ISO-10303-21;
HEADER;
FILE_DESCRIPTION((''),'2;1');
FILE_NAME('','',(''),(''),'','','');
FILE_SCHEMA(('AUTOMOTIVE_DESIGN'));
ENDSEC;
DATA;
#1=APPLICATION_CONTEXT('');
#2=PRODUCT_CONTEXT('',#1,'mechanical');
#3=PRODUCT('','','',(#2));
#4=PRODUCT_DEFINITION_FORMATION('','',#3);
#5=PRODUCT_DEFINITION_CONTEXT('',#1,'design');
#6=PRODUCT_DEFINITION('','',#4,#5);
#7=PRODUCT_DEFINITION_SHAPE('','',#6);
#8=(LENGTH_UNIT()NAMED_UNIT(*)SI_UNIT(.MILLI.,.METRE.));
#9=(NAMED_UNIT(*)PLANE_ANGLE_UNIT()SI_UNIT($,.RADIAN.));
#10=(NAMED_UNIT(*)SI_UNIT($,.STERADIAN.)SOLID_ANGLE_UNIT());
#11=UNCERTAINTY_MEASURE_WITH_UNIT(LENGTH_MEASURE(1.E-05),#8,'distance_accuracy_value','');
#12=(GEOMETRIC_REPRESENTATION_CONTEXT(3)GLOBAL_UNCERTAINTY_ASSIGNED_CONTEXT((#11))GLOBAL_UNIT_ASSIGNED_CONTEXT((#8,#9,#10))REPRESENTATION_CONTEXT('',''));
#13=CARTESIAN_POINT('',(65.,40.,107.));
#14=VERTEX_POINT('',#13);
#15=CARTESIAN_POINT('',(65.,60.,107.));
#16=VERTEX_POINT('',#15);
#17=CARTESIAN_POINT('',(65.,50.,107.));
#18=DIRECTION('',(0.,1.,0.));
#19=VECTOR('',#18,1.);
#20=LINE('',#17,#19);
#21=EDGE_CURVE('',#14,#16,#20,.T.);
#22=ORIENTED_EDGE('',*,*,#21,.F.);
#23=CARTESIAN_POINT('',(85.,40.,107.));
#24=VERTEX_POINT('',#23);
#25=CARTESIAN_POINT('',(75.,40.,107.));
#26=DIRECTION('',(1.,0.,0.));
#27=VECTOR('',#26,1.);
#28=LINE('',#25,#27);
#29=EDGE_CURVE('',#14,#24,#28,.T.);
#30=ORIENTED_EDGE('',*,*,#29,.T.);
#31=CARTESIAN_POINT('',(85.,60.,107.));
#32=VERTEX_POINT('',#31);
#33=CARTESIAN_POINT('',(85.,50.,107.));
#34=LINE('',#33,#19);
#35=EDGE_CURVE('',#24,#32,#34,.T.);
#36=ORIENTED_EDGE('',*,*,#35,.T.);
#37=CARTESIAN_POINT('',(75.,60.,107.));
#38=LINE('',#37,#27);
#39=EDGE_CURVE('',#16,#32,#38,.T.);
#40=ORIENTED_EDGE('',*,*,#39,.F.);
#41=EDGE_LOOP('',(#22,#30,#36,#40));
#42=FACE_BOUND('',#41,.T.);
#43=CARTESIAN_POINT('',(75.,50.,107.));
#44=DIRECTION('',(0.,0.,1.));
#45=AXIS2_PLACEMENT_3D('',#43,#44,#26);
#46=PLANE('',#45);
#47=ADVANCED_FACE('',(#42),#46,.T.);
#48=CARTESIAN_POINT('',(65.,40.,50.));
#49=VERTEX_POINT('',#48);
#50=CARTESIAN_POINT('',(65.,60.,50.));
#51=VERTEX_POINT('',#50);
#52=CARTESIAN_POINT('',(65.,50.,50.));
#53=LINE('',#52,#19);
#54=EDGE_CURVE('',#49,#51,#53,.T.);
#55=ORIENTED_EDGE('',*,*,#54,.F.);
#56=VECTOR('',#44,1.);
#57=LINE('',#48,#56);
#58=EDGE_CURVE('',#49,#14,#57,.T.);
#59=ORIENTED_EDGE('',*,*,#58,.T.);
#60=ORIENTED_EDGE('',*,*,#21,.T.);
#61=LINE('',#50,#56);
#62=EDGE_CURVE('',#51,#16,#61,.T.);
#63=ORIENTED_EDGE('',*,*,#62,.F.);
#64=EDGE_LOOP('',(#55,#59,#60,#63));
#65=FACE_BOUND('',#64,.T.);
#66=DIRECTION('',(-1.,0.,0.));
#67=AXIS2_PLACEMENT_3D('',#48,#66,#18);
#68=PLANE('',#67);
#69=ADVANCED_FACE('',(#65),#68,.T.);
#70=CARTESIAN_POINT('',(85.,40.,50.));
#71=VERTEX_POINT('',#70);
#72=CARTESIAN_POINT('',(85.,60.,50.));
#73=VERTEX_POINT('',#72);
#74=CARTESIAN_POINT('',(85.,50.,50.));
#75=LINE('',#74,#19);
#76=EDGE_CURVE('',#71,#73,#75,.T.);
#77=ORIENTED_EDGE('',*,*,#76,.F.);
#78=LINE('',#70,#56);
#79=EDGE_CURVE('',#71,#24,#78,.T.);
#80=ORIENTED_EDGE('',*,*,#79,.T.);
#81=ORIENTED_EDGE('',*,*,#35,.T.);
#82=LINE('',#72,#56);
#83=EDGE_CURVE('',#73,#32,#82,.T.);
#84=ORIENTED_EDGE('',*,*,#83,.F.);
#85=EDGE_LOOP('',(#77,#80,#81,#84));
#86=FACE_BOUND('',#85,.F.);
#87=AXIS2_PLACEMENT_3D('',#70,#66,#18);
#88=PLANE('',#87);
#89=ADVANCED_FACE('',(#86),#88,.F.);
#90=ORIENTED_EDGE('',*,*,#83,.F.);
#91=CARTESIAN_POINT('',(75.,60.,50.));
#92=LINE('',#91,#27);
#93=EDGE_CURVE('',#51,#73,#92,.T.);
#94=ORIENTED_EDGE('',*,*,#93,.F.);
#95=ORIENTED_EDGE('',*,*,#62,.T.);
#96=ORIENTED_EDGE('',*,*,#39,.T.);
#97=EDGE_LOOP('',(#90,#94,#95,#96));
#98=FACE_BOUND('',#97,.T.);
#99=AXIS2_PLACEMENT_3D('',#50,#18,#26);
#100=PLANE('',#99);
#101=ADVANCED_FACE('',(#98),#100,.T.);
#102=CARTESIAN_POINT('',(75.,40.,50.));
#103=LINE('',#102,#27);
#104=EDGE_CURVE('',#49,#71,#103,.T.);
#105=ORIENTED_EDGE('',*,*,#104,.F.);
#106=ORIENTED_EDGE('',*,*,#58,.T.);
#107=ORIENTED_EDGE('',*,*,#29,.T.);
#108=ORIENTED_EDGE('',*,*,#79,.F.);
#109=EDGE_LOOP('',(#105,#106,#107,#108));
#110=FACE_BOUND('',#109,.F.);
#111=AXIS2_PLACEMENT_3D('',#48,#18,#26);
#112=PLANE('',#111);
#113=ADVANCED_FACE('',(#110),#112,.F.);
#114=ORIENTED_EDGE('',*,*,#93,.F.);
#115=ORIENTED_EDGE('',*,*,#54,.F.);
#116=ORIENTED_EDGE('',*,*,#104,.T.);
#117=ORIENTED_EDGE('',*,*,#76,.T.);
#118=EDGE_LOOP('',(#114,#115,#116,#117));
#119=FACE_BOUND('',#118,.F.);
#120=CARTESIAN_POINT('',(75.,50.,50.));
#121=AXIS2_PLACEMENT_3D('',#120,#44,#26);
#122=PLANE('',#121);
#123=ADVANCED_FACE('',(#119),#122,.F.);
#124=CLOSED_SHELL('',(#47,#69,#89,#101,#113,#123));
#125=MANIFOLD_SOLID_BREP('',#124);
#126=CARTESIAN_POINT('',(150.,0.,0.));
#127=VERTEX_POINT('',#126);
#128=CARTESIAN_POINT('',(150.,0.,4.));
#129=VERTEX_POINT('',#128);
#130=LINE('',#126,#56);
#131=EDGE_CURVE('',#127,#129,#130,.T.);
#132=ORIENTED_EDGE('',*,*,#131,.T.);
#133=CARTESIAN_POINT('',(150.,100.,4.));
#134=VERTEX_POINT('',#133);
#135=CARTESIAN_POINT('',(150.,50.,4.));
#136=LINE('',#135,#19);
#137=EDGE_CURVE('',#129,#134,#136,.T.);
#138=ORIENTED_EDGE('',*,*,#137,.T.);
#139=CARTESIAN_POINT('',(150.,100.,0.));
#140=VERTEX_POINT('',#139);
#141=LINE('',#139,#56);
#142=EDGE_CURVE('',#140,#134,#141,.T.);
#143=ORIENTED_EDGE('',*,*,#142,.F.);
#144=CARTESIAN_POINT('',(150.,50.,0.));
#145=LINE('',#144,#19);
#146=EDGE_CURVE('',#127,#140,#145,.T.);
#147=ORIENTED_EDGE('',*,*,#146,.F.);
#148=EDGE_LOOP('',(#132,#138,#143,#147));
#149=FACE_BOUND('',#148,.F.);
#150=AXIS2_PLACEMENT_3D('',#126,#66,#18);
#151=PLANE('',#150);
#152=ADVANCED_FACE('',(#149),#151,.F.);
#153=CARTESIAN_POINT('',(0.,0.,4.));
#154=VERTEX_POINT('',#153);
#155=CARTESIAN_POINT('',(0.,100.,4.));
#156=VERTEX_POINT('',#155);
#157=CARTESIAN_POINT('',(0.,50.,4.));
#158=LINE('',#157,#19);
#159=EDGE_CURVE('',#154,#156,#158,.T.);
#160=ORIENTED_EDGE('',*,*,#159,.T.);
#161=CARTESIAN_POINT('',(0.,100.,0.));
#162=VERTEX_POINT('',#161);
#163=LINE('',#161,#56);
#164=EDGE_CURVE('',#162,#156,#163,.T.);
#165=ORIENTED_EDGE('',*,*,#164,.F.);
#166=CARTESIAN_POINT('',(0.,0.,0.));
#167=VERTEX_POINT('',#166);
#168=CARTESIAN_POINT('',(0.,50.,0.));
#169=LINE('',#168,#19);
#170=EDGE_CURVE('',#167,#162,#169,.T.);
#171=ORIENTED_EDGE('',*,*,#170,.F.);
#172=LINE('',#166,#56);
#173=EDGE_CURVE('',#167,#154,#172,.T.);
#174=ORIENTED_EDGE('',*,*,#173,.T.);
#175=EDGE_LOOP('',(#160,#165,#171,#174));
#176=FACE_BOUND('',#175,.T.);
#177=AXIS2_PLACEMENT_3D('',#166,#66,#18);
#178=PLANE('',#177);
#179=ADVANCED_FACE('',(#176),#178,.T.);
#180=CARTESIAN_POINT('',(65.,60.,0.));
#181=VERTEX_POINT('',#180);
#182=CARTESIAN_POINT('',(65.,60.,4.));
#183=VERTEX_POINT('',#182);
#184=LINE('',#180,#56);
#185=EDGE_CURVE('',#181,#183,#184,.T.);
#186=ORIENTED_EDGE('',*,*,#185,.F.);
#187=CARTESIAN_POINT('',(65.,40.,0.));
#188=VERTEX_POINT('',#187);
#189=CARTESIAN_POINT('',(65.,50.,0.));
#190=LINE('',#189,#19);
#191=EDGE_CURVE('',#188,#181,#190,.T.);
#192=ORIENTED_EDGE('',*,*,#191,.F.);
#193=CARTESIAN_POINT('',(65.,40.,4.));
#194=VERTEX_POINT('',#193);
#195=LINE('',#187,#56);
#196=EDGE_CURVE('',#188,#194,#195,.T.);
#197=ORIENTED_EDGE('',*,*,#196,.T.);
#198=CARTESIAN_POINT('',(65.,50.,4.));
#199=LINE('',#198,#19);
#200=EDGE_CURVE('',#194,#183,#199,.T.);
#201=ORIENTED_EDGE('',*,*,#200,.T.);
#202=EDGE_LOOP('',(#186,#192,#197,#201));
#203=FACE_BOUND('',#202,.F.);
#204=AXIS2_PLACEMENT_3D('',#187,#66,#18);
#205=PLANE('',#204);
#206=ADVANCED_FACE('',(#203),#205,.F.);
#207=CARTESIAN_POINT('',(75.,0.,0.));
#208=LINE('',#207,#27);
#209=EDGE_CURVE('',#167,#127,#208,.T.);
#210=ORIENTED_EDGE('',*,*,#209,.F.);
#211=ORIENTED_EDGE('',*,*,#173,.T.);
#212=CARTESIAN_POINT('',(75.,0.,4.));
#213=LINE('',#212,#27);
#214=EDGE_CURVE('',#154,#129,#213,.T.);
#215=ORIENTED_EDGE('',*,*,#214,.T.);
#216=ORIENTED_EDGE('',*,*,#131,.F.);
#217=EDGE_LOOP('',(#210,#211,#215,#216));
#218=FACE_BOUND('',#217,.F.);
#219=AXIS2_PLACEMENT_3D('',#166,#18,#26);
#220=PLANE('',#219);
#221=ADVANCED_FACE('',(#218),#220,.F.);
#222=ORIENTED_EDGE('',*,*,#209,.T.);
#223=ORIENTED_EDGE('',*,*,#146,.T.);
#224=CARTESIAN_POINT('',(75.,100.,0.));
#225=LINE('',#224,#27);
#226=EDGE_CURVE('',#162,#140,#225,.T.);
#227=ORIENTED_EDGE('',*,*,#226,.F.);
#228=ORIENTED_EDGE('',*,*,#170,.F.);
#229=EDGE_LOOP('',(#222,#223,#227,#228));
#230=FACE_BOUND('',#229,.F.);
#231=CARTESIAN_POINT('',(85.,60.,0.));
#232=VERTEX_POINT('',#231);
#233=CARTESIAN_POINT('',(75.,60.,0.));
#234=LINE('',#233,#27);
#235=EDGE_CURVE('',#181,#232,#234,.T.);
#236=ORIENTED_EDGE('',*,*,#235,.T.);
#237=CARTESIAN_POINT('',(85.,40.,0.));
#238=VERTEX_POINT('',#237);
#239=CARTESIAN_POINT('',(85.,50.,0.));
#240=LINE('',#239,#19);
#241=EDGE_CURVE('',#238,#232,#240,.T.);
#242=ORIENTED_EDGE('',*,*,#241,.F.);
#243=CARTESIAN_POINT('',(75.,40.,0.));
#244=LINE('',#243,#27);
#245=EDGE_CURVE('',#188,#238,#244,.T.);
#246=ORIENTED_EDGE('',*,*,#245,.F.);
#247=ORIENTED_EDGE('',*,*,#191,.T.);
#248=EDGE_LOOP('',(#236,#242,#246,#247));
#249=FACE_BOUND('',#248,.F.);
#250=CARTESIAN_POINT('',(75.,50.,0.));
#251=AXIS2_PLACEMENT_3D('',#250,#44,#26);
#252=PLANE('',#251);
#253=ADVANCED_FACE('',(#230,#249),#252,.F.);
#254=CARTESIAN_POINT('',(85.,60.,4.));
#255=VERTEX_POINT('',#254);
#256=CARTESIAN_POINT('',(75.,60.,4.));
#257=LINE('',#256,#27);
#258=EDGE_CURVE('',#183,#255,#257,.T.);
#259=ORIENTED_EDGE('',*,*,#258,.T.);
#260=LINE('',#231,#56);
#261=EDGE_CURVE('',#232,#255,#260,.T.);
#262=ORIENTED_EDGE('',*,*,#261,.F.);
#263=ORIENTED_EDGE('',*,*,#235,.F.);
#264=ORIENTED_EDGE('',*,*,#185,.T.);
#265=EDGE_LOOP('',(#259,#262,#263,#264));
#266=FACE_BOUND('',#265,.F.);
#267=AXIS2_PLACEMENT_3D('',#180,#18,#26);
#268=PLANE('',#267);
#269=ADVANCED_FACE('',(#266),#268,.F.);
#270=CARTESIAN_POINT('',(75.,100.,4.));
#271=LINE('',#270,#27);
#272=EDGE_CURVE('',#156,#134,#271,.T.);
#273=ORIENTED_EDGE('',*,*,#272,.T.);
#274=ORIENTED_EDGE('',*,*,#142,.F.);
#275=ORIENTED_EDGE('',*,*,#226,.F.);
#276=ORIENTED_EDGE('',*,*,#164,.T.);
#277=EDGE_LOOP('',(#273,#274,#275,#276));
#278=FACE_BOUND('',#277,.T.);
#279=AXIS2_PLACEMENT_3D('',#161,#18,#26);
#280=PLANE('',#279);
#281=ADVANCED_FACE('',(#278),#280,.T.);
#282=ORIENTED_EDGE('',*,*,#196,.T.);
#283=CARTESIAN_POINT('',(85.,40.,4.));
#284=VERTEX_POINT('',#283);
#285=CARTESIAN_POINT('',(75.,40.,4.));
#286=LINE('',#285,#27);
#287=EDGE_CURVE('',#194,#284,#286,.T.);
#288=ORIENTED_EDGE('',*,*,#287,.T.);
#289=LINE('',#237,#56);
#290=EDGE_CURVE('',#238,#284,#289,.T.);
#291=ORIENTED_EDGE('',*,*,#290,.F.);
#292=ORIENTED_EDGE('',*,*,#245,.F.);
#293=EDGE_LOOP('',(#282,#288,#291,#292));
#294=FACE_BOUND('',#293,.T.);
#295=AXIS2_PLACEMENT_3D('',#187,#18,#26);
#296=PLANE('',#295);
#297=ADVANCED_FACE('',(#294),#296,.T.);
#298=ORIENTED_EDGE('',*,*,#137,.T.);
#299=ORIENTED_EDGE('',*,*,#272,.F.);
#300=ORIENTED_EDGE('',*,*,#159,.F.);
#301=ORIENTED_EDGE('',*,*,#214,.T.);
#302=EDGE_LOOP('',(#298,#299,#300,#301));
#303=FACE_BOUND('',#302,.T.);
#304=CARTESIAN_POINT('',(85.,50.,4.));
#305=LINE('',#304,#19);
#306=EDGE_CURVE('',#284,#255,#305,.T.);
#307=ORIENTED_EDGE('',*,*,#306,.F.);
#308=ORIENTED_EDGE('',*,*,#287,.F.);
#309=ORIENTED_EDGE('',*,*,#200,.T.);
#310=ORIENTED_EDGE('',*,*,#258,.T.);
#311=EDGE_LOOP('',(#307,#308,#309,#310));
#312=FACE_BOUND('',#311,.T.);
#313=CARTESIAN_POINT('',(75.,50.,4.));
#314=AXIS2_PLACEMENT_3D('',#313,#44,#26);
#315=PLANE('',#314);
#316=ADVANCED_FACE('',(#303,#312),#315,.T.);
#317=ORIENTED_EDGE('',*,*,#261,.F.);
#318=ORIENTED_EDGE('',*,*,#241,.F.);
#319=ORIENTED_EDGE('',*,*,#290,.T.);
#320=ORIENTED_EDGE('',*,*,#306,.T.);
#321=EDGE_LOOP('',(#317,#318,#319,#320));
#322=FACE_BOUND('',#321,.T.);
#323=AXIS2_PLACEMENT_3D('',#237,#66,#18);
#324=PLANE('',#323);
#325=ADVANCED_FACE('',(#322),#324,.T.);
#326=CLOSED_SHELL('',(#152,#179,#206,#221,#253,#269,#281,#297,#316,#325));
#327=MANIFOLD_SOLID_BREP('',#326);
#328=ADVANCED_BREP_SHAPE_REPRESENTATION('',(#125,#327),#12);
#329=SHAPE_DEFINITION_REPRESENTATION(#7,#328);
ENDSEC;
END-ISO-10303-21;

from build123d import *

# Parameters (mm, degrees)
F0_W     = 150
F0_H     = 100
F0_W_2   = 20
F0_H_2   = 20
F1_DEPTH = 4
F3_W     = 20
F3_H     = 20
F4_DEPTH = 57


with BuildPart() as f1:
    # F0 (on Top) → F1 (new body)
    with BuildSketch(Plane.XY):
        with Locations((75, 50)):
            Rectangle(F0_W, F0_H)
        with Locations((75, 50)):
            Rectangle(F0_W_2, F0_H_2, mode=Mode.SUBTRACT)
    extrude(amount=F1_DEPTH)


with BuildPart() as f4:
    # F3 (on offset) → F4 (new body)
    with BuildSketch(Plane.XY.offset(50)):
        with Locations((75, 50)):
            Rectangle(F3_W, F3_H)
    extrude(amount=F4_DEPTH)


solid = Compound([f1.part, f4.part])
